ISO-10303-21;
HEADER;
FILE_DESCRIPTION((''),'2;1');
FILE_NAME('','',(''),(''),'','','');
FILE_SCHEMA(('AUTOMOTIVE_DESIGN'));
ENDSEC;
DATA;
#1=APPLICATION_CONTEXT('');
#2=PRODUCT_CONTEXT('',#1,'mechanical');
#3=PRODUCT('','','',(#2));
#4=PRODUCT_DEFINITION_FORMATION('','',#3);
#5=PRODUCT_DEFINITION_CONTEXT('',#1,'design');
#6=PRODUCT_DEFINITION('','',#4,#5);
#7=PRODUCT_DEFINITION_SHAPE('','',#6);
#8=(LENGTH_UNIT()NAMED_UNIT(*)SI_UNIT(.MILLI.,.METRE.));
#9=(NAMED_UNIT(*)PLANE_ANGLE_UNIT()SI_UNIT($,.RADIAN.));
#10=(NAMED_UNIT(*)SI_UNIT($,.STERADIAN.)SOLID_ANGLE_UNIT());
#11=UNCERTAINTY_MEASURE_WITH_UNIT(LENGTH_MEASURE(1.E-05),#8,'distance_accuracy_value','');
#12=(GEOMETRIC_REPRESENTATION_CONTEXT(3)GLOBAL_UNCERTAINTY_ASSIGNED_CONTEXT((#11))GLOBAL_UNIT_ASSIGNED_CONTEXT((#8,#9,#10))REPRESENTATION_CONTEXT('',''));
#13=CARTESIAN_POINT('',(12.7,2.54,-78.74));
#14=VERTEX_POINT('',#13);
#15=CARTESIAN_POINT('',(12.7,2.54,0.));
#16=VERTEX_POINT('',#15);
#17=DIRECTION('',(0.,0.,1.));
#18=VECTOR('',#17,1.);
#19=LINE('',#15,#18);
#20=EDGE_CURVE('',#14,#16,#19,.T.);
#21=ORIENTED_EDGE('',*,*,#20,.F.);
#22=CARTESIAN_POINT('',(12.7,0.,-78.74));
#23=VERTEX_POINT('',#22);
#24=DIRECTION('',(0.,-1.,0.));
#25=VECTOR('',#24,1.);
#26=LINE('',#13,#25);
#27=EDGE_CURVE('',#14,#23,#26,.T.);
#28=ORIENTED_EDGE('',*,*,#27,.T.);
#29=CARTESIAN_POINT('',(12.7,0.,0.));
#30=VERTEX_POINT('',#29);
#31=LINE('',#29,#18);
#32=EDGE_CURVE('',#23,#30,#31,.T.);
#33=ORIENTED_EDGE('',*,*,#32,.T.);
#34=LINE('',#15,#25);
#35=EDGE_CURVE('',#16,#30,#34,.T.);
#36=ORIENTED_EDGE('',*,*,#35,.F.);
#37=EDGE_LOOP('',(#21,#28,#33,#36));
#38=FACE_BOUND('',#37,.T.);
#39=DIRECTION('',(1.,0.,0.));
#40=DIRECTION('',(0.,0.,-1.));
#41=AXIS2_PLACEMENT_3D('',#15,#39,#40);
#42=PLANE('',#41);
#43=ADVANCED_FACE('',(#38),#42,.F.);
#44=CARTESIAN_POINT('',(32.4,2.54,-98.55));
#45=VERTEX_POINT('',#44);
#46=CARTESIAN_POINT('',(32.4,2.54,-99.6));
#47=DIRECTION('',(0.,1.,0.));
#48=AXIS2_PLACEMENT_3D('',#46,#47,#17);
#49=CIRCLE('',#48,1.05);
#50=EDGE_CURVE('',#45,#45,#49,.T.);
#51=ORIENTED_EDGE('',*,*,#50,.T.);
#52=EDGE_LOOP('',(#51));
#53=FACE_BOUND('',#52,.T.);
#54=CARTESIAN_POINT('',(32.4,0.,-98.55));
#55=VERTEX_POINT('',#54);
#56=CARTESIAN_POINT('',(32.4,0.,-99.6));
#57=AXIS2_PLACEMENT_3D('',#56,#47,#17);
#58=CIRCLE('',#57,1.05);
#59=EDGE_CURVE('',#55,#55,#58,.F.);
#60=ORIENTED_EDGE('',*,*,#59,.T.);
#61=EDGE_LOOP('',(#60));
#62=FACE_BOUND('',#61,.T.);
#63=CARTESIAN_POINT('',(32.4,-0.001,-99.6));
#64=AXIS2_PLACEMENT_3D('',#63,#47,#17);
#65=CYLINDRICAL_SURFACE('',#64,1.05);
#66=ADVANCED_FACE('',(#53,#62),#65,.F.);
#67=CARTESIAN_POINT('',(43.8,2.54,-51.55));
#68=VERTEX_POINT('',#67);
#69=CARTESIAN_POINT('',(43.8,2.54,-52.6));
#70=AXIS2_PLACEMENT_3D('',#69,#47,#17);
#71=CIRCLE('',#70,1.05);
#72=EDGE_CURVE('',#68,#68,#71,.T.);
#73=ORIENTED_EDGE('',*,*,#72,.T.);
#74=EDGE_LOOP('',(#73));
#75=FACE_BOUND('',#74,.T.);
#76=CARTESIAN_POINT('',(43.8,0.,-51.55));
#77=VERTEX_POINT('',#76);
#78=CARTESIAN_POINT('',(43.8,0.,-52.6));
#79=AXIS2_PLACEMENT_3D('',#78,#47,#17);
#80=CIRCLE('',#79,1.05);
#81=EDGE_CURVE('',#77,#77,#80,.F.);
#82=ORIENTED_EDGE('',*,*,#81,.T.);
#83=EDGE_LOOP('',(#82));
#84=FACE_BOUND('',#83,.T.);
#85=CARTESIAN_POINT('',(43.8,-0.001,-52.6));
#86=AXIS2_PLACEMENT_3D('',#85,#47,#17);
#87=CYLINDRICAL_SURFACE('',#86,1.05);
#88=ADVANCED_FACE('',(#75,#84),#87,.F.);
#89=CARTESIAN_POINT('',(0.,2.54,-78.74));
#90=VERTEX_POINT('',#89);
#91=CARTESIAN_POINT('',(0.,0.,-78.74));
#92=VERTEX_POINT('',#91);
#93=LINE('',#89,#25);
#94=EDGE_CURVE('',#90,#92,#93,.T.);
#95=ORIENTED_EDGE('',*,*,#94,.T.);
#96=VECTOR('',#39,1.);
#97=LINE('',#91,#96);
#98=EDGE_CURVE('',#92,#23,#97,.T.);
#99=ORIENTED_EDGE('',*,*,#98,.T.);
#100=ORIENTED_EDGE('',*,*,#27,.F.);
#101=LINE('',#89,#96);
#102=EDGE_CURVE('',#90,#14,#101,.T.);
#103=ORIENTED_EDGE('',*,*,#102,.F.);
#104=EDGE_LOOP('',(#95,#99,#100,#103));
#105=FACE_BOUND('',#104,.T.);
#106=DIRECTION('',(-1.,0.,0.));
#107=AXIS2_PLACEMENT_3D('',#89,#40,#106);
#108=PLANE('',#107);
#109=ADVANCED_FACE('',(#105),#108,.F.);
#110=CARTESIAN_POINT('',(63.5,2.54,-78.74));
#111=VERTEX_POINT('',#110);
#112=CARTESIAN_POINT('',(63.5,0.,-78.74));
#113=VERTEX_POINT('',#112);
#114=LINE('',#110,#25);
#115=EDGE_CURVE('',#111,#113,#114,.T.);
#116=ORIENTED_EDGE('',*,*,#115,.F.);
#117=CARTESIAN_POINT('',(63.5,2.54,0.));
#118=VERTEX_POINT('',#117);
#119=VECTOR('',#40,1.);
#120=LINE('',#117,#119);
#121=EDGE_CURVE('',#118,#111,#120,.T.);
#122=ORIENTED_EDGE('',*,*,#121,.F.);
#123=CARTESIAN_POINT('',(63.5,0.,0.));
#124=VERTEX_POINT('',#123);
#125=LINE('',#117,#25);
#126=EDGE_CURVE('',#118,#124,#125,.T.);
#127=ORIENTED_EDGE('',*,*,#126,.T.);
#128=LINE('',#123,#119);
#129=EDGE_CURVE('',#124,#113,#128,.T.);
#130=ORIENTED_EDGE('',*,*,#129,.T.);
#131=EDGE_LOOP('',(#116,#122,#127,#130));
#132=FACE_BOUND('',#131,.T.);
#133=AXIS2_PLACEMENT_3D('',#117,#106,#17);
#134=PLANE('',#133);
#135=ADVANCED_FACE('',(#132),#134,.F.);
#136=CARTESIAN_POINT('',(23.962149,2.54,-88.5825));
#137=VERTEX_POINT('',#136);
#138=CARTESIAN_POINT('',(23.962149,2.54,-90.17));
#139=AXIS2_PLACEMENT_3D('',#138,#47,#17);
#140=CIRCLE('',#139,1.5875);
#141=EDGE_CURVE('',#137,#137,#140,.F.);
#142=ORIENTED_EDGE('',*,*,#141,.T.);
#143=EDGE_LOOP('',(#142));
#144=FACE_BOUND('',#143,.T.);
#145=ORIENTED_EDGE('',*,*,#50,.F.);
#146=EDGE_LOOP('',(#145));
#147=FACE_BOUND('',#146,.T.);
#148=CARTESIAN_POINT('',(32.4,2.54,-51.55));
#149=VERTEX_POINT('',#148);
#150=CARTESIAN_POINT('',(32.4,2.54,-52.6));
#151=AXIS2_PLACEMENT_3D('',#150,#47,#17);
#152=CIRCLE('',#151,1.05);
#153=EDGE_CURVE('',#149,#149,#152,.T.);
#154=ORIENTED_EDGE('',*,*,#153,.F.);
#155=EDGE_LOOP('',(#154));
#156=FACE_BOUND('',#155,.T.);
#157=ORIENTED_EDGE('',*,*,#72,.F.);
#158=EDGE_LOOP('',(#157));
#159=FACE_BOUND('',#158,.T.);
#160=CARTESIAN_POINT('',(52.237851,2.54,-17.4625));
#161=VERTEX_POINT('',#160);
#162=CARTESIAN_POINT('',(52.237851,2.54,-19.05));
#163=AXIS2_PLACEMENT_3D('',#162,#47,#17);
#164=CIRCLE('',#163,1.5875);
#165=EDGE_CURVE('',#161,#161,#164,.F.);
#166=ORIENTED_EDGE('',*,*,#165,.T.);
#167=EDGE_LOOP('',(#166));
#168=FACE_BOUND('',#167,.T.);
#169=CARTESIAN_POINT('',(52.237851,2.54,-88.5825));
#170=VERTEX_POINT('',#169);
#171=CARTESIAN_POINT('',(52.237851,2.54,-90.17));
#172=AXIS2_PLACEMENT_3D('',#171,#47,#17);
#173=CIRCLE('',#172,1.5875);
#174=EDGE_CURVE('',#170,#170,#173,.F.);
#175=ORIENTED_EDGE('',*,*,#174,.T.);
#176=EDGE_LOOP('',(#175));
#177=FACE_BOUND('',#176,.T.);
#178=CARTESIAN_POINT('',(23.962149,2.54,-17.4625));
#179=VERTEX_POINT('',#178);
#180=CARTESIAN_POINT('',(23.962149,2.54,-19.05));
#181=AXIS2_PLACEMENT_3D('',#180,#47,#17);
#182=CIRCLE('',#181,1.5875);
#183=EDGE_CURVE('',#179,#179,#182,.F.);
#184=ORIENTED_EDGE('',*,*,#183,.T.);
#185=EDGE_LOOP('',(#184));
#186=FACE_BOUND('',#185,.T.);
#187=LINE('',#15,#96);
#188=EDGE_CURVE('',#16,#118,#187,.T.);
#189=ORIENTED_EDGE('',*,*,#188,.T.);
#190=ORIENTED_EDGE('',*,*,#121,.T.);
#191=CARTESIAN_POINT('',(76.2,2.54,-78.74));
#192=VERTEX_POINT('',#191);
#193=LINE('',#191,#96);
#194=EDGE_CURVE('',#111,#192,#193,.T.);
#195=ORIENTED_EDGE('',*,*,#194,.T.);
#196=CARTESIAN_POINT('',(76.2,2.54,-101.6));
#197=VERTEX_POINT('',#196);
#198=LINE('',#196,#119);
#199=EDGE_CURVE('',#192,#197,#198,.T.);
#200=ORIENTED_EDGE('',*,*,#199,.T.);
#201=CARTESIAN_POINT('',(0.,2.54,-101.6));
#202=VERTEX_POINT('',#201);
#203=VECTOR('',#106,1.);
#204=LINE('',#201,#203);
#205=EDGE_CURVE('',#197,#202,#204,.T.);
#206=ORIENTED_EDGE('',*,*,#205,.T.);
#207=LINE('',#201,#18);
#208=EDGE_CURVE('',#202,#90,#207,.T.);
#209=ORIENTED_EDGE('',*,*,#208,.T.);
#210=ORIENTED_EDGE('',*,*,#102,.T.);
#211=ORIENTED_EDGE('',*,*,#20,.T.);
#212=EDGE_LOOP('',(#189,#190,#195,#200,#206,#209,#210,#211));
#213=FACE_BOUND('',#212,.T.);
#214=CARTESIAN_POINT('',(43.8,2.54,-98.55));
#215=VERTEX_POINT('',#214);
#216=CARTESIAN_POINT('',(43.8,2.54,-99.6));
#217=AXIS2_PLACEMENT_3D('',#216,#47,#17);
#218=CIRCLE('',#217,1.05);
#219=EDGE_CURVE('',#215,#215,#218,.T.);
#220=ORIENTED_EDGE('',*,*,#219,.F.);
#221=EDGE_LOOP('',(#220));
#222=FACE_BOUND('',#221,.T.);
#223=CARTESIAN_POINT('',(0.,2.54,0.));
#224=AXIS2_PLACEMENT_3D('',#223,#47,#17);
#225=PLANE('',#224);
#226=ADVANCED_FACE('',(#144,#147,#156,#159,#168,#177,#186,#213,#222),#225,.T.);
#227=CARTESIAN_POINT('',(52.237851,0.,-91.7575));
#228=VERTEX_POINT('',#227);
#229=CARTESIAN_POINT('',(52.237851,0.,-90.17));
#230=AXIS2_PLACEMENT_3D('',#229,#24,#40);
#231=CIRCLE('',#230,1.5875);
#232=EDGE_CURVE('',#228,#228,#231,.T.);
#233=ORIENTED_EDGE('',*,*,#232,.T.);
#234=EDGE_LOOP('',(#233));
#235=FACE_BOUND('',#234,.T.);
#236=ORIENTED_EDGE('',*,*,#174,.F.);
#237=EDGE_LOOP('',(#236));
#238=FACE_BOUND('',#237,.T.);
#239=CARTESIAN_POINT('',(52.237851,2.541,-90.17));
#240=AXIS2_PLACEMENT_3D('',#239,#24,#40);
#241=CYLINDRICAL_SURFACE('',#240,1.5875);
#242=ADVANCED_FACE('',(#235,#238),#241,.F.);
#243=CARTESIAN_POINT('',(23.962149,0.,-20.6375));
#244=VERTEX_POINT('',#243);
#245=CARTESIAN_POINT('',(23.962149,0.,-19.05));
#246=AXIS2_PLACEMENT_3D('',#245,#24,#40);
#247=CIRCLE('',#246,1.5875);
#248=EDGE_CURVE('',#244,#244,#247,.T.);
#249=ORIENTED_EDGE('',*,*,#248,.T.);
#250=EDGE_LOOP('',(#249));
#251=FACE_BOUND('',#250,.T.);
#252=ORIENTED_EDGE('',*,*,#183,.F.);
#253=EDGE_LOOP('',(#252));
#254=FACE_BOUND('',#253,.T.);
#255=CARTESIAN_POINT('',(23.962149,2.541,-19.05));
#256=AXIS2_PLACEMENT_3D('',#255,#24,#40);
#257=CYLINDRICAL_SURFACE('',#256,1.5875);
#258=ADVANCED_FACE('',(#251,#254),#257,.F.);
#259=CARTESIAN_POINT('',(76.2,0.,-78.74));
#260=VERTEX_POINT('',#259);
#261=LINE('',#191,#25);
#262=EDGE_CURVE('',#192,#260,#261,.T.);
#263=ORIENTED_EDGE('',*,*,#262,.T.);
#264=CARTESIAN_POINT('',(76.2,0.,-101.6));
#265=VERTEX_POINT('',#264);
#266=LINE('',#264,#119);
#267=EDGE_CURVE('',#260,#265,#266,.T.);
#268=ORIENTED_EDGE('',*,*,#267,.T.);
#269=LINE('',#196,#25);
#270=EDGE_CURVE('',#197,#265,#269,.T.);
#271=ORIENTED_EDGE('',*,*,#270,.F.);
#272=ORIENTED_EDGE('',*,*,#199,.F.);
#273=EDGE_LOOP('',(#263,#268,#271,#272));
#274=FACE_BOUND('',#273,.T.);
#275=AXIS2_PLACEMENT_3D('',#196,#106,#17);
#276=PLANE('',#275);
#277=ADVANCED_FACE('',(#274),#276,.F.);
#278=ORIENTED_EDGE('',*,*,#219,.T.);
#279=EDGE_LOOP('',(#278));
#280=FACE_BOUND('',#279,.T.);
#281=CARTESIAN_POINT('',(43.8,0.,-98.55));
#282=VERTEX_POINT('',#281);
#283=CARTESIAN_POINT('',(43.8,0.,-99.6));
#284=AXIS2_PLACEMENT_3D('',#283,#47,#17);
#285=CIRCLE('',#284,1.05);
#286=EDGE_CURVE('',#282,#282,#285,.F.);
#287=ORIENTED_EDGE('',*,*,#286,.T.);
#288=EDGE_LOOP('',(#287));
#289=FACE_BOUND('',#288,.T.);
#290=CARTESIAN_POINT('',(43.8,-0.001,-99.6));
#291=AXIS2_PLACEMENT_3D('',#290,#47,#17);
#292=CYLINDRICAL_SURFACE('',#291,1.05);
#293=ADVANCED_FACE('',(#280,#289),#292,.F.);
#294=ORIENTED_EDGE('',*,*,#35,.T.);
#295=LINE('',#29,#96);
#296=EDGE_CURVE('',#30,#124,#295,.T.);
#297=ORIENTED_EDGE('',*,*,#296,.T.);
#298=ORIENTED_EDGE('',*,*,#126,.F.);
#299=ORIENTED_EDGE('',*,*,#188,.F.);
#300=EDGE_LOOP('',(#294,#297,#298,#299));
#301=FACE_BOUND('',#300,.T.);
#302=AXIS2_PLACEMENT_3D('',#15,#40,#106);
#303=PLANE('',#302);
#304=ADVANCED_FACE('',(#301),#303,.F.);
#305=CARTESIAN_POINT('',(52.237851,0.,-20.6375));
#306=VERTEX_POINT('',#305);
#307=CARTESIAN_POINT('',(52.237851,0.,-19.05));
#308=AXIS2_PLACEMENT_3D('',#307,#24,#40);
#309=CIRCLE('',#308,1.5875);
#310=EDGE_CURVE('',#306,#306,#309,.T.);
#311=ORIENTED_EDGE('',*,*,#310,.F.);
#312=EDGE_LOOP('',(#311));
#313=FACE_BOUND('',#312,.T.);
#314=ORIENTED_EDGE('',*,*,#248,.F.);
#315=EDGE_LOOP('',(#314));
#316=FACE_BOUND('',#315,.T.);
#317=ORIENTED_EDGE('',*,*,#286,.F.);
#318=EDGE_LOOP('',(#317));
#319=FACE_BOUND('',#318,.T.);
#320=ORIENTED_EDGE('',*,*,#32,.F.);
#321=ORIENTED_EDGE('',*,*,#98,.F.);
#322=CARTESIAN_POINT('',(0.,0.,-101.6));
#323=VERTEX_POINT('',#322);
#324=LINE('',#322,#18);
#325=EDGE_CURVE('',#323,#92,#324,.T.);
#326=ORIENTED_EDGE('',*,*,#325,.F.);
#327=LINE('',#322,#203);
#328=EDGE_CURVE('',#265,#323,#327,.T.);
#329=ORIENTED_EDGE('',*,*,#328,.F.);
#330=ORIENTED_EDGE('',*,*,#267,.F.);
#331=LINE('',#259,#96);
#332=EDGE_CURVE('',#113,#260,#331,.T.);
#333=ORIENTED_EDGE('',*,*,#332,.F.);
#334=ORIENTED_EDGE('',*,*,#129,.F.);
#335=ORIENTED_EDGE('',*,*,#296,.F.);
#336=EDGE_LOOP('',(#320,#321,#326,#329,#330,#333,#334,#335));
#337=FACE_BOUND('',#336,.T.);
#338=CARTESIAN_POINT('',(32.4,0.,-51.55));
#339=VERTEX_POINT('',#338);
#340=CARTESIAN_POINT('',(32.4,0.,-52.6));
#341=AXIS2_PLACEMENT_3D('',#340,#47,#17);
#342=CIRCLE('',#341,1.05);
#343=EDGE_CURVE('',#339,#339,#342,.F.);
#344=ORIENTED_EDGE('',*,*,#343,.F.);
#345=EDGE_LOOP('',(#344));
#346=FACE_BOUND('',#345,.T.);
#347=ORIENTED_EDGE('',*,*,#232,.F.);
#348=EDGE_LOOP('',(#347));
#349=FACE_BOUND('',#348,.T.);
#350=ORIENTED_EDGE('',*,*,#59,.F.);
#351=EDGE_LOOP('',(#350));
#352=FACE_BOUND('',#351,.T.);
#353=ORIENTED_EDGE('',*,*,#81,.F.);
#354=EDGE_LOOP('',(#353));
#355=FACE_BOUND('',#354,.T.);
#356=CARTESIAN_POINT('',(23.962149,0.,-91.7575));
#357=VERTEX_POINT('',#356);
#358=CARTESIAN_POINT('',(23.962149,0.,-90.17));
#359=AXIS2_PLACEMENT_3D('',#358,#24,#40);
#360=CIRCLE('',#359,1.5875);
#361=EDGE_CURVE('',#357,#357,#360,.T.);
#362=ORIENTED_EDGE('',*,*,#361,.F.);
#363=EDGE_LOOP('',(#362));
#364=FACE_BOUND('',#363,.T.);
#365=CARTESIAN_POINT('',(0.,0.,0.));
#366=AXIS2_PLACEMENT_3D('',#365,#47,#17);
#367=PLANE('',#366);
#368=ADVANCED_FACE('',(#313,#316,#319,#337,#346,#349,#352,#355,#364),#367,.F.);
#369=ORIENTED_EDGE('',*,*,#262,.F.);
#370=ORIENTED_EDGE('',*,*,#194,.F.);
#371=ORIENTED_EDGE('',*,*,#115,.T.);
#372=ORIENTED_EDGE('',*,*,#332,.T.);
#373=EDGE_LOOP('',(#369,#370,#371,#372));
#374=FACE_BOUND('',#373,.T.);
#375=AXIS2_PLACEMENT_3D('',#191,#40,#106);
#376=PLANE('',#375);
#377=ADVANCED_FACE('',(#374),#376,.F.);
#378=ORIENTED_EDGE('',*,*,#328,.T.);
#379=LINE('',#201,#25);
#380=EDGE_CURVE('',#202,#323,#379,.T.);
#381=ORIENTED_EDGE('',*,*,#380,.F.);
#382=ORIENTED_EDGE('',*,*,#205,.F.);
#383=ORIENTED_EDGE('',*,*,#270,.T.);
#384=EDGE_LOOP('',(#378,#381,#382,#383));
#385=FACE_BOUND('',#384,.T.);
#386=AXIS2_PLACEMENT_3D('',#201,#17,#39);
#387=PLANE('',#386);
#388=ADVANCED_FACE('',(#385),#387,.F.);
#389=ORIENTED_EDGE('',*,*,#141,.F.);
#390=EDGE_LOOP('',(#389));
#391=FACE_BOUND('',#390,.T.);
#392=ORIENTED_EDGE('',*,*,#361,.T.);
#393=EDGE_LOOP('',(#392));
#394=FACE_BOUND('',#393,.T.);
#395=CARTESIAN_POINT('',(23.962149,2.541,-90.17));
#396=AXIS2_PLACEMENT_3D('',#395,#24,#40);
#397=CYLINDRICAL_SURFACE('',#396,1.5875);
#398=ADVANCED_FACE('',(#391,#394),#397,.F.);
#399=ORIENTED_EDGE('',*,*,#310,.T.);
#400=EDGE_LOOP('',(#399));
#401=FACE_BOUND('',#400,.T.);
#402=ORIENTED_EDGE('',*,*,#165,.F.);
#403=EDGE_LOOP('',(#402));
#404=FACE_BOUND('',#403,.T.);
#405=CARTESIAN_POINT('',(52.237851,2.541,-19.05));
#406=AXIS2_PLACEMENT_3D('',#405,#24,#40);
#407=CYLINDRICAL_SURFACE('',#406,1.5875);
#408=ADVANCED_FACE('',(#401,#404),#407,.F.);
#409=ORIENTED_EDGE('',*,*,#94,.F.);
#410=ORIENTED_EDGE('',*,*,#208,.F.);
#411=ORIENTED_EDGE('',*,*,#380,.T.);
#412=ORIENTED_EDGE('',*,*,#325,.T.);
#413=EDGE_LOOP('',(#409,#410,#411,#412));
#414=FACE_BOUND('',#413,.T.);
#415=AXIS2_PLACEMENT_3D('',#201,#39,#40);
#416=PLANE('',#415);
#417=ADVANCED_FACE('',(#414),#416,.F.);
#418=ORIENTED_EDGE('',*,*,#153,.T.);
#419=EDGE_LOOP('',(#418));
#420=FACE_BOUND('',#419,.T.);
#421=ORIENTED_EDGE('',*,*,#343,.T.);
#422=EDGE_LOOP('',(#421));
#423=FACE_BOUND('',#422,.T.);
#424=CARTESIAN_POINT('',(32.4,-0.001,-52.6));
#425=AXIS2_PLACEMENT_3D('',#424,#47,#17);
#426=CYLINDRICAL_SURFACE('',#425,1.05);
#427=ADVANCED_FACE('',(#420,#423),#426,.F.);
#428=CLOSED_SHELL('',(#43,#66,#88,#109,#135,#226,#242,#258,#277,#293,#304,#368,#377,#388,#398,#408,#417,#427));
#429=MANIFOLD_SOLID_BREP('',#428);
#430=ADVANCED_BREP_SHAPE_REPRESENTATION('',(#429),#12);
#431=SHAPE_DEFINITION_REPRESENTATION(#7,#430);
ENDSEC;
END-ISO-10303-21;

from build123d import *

# Parameters (mm, degrees)
BOSS_EXTRUDE1_DEPTH = 2.54
CUT_EXTRUDE1_REACH  = 129.025
SKETCH2_R           = 1.05
CUT_EXTRUDE2_REACH  = 129.025
SKETCH3_R           = 1.5875


with BuildPart() as part:
    # Sketch1 → Boss-Extrude1 (new body)
    with BuildSketch(Plane(origin=(0, 0, 0), x_dir=(1, 0, 0), z_dir=(0, 1, 0))):
        Polygon((0, 101.6), (76.2, 101.6), (76.2, 78.74), (63.5, 78.74), (63.5, 0), (12.7, 0), (12.7, 78.74), (0, 78.74), align=None)
    extrude(amount=BOSS_EXTRUDE1_DEPTH)

    # Sketch2 → Cut-Extrude1 (cut, up to next)
    with BuildSketch(Plane(origin=(0, 2.54, 0), x_dir=(1, 0, 0), z_dir=(0, 1, 0)), mode=Mode.PRIVATE) as cut_extrude1_sk1:
        with Locations(Location((32.4, 52.6, 0), (0, 0, 270))):
            Circle(SKETCH2_R)
    cut_extrude1_tool1 = extrude(cut_extrude1_sk1.sketch, amount=-CUT_EXTRUDE1_REACH, mode=Mode.PRIVATE) & part.part
    # Sketch2 → Cut-Extrude1 (cut, up to next)
    with BuildSketch(Plane(origin=(0, 2.54, 0), x_dir=(1, 0, 0), z_dir=(0, 1, 0)), mode=Mode.PRIVATE) as cut_extrude1_sk2:
        with Locations(Location((43.8, 52.6, 0), (0, 0, 270))):
            Circle(SKETCH2_R)
    cut_extrude1_tool2 = extrude(cut_extrude1_sk2.sketch, amount=-CUT_EXTRUDE1_REACH, mode=Mode.PRIVATE) & part.part
    # Sketch2 → Cut-Extrude1 (cut, up to next)
    with BuildSketch(Plane(origin=(0, 2.54, 0), x_dir=(1, 0, 0), z_dir=(0, 1, 0)), mode=Mode.PRIVATE) as cut_extrude1_sk3:
        with Locations(Location((43.8, 99.6, 0), (0, 0, 270))):
            Circle(SKETCH2_R)
    cut_extrude1_tool3 = extrude(cut_extrude1_sk3.sketch, amount=-CUT_EXTRUDE1_REACH, mode=Mode.PRIVATE) & part.part
    # Sketch2 → Cut-Extrude1 (cut, up to next)
    with BuildSketch(Plane(origin=(0, 2.54, 0), x_dir=(1, 0, 0), z_dir=(0, 1, 0)), mode=Mode.PRIVATE) as cut_extrude1_sk4:
        with Locations(Location((32.4, 99.6, 0), (0, 0, 270))):
            Circle(SKETCH2_R)
    cut_extrude1_tool4 = extrude(cut_extrude1_sk4.sketch, amount=-CUT_EXTRUDE1_REACH, mode=Mode.PRIVATE) & part.part
    add(cut_extrude1_tool1.solids().sort_by_distance((32.4, 2.54, -52.6))[0], mode=Mode.SUBTRACT)
    add(cut_extrude1_tool2.solids().sort_by_distance((43.8, 2.54, -52.6))[0], mode=Mode.SUBTRACT)
    add(cut_extrude1_tool3.solids().sort_by_distance((43.8, 2.54, -99.6))[0], mode=Mode.SUBTRACT)
    add(cut_extrude1_tool4.solids().sort_by_distance((32.4, 2.54, -99.6))[0], mode=Mode.SUBTRACT)

    # Sketch3 → Cut-Extrude2 (cut, up to next)
    with BuildSketch(Plane(origin=(0, 0, 0), x_dir=(-1, 0, 0), z_dir=(0, -1, 0)), mode=Mode.PRIVATE) as cut_extrude2_sk1:
        with Locations(Location((-23.962149238, 19.05, 0), (0, 0, 90))):
            Circle(SKETCH3_R)
    cut_extrude2_tool1 = extrude(cut_extrude2_sk1.sketch, amount=-CUT_EXTRUDE2_REACH, mode=Mode.PRIVATE) & part.part
    # Sketch3 → Cut-Extrude2 (cut, up to next)
    with BuildSketch(Plane(origin=(0, 0, 0), x_dir=(-1, 0, 0), z_dir=(0, -1, 0)), mode=Mode.PRIVATE) as cut_extrude2_sk2:
        with Locations(Location((-52.237850762, 19.05, 0), (0, 0, 90))):
            Circle(SKETCH3_R)
    cut_extrude2_tool2 = extrude(cut_extrude2_sk2.sketch, amount=-CUT_EXTRUDE2_REACH, mode=Mode.PRIVATE) & part.part
    # Sketch3 → Cut-Extrude2 (cut, up to next)
    with BuildSketch(Plane(origin=(0, 0, 0), x_dir=(-1, 0, 0), z_dir=(0, -1, 0)), mode=Mode.PRIVATE) as cut_extrude2_sk3:
        with Locations(Location((-23.962149238, 90.17, 0), (0, 0, 90))):
            Circle(SKETCH3_R)
    cut_extrude2_tool3 = extrude(cut_extrude2_sk3.sketch, amount=-CUT_EXTRUDE2_REACH, mode=Mode.PRIVATE) & part.part
    # Sketch3 → Cut-Extrude2 (cut, up to next)
    with BuildSketch(Plane(origin=(0, 0, 0), x_dir=(-1, 0, 0), z_dir=(0, -1, 0)), mode=Mode.PRIVATE) as cut_extrude2_sk4:
        with Locations(Location((-52.237850762, 90.17, 0), (0, 0, 90))):
            Circle(SKETCH3_R)
    cut_extrude2_tool4 = extrude(cut_extrude2_sk4.sketch, amount=-CUT_EXTRUDE2_REACH, mode=Mode.PRIVATE) & part.part
    add(cut_extrude2_tool1.solids().sort_by_distance((23.962149, 0, -19.05))[0], mode=Mode.SUBTRACT)
    add(cut_extrude2_tool2.solids().sort_by_distance((52.237851, 0, -19.05))[0], mode=Mode.SUBTRACT)
    add(cut_extrude2_tool3.solids().sort_by_distance((23.962149, 0, -90.17))[0], mode=Mode.SUBTRACT)
    add(cut_extrude2_tool4.solids().sort_by_distance((52.237851, 0, -90.17))[0], mode=Mode.SUBTRACT)


solid = part.part
